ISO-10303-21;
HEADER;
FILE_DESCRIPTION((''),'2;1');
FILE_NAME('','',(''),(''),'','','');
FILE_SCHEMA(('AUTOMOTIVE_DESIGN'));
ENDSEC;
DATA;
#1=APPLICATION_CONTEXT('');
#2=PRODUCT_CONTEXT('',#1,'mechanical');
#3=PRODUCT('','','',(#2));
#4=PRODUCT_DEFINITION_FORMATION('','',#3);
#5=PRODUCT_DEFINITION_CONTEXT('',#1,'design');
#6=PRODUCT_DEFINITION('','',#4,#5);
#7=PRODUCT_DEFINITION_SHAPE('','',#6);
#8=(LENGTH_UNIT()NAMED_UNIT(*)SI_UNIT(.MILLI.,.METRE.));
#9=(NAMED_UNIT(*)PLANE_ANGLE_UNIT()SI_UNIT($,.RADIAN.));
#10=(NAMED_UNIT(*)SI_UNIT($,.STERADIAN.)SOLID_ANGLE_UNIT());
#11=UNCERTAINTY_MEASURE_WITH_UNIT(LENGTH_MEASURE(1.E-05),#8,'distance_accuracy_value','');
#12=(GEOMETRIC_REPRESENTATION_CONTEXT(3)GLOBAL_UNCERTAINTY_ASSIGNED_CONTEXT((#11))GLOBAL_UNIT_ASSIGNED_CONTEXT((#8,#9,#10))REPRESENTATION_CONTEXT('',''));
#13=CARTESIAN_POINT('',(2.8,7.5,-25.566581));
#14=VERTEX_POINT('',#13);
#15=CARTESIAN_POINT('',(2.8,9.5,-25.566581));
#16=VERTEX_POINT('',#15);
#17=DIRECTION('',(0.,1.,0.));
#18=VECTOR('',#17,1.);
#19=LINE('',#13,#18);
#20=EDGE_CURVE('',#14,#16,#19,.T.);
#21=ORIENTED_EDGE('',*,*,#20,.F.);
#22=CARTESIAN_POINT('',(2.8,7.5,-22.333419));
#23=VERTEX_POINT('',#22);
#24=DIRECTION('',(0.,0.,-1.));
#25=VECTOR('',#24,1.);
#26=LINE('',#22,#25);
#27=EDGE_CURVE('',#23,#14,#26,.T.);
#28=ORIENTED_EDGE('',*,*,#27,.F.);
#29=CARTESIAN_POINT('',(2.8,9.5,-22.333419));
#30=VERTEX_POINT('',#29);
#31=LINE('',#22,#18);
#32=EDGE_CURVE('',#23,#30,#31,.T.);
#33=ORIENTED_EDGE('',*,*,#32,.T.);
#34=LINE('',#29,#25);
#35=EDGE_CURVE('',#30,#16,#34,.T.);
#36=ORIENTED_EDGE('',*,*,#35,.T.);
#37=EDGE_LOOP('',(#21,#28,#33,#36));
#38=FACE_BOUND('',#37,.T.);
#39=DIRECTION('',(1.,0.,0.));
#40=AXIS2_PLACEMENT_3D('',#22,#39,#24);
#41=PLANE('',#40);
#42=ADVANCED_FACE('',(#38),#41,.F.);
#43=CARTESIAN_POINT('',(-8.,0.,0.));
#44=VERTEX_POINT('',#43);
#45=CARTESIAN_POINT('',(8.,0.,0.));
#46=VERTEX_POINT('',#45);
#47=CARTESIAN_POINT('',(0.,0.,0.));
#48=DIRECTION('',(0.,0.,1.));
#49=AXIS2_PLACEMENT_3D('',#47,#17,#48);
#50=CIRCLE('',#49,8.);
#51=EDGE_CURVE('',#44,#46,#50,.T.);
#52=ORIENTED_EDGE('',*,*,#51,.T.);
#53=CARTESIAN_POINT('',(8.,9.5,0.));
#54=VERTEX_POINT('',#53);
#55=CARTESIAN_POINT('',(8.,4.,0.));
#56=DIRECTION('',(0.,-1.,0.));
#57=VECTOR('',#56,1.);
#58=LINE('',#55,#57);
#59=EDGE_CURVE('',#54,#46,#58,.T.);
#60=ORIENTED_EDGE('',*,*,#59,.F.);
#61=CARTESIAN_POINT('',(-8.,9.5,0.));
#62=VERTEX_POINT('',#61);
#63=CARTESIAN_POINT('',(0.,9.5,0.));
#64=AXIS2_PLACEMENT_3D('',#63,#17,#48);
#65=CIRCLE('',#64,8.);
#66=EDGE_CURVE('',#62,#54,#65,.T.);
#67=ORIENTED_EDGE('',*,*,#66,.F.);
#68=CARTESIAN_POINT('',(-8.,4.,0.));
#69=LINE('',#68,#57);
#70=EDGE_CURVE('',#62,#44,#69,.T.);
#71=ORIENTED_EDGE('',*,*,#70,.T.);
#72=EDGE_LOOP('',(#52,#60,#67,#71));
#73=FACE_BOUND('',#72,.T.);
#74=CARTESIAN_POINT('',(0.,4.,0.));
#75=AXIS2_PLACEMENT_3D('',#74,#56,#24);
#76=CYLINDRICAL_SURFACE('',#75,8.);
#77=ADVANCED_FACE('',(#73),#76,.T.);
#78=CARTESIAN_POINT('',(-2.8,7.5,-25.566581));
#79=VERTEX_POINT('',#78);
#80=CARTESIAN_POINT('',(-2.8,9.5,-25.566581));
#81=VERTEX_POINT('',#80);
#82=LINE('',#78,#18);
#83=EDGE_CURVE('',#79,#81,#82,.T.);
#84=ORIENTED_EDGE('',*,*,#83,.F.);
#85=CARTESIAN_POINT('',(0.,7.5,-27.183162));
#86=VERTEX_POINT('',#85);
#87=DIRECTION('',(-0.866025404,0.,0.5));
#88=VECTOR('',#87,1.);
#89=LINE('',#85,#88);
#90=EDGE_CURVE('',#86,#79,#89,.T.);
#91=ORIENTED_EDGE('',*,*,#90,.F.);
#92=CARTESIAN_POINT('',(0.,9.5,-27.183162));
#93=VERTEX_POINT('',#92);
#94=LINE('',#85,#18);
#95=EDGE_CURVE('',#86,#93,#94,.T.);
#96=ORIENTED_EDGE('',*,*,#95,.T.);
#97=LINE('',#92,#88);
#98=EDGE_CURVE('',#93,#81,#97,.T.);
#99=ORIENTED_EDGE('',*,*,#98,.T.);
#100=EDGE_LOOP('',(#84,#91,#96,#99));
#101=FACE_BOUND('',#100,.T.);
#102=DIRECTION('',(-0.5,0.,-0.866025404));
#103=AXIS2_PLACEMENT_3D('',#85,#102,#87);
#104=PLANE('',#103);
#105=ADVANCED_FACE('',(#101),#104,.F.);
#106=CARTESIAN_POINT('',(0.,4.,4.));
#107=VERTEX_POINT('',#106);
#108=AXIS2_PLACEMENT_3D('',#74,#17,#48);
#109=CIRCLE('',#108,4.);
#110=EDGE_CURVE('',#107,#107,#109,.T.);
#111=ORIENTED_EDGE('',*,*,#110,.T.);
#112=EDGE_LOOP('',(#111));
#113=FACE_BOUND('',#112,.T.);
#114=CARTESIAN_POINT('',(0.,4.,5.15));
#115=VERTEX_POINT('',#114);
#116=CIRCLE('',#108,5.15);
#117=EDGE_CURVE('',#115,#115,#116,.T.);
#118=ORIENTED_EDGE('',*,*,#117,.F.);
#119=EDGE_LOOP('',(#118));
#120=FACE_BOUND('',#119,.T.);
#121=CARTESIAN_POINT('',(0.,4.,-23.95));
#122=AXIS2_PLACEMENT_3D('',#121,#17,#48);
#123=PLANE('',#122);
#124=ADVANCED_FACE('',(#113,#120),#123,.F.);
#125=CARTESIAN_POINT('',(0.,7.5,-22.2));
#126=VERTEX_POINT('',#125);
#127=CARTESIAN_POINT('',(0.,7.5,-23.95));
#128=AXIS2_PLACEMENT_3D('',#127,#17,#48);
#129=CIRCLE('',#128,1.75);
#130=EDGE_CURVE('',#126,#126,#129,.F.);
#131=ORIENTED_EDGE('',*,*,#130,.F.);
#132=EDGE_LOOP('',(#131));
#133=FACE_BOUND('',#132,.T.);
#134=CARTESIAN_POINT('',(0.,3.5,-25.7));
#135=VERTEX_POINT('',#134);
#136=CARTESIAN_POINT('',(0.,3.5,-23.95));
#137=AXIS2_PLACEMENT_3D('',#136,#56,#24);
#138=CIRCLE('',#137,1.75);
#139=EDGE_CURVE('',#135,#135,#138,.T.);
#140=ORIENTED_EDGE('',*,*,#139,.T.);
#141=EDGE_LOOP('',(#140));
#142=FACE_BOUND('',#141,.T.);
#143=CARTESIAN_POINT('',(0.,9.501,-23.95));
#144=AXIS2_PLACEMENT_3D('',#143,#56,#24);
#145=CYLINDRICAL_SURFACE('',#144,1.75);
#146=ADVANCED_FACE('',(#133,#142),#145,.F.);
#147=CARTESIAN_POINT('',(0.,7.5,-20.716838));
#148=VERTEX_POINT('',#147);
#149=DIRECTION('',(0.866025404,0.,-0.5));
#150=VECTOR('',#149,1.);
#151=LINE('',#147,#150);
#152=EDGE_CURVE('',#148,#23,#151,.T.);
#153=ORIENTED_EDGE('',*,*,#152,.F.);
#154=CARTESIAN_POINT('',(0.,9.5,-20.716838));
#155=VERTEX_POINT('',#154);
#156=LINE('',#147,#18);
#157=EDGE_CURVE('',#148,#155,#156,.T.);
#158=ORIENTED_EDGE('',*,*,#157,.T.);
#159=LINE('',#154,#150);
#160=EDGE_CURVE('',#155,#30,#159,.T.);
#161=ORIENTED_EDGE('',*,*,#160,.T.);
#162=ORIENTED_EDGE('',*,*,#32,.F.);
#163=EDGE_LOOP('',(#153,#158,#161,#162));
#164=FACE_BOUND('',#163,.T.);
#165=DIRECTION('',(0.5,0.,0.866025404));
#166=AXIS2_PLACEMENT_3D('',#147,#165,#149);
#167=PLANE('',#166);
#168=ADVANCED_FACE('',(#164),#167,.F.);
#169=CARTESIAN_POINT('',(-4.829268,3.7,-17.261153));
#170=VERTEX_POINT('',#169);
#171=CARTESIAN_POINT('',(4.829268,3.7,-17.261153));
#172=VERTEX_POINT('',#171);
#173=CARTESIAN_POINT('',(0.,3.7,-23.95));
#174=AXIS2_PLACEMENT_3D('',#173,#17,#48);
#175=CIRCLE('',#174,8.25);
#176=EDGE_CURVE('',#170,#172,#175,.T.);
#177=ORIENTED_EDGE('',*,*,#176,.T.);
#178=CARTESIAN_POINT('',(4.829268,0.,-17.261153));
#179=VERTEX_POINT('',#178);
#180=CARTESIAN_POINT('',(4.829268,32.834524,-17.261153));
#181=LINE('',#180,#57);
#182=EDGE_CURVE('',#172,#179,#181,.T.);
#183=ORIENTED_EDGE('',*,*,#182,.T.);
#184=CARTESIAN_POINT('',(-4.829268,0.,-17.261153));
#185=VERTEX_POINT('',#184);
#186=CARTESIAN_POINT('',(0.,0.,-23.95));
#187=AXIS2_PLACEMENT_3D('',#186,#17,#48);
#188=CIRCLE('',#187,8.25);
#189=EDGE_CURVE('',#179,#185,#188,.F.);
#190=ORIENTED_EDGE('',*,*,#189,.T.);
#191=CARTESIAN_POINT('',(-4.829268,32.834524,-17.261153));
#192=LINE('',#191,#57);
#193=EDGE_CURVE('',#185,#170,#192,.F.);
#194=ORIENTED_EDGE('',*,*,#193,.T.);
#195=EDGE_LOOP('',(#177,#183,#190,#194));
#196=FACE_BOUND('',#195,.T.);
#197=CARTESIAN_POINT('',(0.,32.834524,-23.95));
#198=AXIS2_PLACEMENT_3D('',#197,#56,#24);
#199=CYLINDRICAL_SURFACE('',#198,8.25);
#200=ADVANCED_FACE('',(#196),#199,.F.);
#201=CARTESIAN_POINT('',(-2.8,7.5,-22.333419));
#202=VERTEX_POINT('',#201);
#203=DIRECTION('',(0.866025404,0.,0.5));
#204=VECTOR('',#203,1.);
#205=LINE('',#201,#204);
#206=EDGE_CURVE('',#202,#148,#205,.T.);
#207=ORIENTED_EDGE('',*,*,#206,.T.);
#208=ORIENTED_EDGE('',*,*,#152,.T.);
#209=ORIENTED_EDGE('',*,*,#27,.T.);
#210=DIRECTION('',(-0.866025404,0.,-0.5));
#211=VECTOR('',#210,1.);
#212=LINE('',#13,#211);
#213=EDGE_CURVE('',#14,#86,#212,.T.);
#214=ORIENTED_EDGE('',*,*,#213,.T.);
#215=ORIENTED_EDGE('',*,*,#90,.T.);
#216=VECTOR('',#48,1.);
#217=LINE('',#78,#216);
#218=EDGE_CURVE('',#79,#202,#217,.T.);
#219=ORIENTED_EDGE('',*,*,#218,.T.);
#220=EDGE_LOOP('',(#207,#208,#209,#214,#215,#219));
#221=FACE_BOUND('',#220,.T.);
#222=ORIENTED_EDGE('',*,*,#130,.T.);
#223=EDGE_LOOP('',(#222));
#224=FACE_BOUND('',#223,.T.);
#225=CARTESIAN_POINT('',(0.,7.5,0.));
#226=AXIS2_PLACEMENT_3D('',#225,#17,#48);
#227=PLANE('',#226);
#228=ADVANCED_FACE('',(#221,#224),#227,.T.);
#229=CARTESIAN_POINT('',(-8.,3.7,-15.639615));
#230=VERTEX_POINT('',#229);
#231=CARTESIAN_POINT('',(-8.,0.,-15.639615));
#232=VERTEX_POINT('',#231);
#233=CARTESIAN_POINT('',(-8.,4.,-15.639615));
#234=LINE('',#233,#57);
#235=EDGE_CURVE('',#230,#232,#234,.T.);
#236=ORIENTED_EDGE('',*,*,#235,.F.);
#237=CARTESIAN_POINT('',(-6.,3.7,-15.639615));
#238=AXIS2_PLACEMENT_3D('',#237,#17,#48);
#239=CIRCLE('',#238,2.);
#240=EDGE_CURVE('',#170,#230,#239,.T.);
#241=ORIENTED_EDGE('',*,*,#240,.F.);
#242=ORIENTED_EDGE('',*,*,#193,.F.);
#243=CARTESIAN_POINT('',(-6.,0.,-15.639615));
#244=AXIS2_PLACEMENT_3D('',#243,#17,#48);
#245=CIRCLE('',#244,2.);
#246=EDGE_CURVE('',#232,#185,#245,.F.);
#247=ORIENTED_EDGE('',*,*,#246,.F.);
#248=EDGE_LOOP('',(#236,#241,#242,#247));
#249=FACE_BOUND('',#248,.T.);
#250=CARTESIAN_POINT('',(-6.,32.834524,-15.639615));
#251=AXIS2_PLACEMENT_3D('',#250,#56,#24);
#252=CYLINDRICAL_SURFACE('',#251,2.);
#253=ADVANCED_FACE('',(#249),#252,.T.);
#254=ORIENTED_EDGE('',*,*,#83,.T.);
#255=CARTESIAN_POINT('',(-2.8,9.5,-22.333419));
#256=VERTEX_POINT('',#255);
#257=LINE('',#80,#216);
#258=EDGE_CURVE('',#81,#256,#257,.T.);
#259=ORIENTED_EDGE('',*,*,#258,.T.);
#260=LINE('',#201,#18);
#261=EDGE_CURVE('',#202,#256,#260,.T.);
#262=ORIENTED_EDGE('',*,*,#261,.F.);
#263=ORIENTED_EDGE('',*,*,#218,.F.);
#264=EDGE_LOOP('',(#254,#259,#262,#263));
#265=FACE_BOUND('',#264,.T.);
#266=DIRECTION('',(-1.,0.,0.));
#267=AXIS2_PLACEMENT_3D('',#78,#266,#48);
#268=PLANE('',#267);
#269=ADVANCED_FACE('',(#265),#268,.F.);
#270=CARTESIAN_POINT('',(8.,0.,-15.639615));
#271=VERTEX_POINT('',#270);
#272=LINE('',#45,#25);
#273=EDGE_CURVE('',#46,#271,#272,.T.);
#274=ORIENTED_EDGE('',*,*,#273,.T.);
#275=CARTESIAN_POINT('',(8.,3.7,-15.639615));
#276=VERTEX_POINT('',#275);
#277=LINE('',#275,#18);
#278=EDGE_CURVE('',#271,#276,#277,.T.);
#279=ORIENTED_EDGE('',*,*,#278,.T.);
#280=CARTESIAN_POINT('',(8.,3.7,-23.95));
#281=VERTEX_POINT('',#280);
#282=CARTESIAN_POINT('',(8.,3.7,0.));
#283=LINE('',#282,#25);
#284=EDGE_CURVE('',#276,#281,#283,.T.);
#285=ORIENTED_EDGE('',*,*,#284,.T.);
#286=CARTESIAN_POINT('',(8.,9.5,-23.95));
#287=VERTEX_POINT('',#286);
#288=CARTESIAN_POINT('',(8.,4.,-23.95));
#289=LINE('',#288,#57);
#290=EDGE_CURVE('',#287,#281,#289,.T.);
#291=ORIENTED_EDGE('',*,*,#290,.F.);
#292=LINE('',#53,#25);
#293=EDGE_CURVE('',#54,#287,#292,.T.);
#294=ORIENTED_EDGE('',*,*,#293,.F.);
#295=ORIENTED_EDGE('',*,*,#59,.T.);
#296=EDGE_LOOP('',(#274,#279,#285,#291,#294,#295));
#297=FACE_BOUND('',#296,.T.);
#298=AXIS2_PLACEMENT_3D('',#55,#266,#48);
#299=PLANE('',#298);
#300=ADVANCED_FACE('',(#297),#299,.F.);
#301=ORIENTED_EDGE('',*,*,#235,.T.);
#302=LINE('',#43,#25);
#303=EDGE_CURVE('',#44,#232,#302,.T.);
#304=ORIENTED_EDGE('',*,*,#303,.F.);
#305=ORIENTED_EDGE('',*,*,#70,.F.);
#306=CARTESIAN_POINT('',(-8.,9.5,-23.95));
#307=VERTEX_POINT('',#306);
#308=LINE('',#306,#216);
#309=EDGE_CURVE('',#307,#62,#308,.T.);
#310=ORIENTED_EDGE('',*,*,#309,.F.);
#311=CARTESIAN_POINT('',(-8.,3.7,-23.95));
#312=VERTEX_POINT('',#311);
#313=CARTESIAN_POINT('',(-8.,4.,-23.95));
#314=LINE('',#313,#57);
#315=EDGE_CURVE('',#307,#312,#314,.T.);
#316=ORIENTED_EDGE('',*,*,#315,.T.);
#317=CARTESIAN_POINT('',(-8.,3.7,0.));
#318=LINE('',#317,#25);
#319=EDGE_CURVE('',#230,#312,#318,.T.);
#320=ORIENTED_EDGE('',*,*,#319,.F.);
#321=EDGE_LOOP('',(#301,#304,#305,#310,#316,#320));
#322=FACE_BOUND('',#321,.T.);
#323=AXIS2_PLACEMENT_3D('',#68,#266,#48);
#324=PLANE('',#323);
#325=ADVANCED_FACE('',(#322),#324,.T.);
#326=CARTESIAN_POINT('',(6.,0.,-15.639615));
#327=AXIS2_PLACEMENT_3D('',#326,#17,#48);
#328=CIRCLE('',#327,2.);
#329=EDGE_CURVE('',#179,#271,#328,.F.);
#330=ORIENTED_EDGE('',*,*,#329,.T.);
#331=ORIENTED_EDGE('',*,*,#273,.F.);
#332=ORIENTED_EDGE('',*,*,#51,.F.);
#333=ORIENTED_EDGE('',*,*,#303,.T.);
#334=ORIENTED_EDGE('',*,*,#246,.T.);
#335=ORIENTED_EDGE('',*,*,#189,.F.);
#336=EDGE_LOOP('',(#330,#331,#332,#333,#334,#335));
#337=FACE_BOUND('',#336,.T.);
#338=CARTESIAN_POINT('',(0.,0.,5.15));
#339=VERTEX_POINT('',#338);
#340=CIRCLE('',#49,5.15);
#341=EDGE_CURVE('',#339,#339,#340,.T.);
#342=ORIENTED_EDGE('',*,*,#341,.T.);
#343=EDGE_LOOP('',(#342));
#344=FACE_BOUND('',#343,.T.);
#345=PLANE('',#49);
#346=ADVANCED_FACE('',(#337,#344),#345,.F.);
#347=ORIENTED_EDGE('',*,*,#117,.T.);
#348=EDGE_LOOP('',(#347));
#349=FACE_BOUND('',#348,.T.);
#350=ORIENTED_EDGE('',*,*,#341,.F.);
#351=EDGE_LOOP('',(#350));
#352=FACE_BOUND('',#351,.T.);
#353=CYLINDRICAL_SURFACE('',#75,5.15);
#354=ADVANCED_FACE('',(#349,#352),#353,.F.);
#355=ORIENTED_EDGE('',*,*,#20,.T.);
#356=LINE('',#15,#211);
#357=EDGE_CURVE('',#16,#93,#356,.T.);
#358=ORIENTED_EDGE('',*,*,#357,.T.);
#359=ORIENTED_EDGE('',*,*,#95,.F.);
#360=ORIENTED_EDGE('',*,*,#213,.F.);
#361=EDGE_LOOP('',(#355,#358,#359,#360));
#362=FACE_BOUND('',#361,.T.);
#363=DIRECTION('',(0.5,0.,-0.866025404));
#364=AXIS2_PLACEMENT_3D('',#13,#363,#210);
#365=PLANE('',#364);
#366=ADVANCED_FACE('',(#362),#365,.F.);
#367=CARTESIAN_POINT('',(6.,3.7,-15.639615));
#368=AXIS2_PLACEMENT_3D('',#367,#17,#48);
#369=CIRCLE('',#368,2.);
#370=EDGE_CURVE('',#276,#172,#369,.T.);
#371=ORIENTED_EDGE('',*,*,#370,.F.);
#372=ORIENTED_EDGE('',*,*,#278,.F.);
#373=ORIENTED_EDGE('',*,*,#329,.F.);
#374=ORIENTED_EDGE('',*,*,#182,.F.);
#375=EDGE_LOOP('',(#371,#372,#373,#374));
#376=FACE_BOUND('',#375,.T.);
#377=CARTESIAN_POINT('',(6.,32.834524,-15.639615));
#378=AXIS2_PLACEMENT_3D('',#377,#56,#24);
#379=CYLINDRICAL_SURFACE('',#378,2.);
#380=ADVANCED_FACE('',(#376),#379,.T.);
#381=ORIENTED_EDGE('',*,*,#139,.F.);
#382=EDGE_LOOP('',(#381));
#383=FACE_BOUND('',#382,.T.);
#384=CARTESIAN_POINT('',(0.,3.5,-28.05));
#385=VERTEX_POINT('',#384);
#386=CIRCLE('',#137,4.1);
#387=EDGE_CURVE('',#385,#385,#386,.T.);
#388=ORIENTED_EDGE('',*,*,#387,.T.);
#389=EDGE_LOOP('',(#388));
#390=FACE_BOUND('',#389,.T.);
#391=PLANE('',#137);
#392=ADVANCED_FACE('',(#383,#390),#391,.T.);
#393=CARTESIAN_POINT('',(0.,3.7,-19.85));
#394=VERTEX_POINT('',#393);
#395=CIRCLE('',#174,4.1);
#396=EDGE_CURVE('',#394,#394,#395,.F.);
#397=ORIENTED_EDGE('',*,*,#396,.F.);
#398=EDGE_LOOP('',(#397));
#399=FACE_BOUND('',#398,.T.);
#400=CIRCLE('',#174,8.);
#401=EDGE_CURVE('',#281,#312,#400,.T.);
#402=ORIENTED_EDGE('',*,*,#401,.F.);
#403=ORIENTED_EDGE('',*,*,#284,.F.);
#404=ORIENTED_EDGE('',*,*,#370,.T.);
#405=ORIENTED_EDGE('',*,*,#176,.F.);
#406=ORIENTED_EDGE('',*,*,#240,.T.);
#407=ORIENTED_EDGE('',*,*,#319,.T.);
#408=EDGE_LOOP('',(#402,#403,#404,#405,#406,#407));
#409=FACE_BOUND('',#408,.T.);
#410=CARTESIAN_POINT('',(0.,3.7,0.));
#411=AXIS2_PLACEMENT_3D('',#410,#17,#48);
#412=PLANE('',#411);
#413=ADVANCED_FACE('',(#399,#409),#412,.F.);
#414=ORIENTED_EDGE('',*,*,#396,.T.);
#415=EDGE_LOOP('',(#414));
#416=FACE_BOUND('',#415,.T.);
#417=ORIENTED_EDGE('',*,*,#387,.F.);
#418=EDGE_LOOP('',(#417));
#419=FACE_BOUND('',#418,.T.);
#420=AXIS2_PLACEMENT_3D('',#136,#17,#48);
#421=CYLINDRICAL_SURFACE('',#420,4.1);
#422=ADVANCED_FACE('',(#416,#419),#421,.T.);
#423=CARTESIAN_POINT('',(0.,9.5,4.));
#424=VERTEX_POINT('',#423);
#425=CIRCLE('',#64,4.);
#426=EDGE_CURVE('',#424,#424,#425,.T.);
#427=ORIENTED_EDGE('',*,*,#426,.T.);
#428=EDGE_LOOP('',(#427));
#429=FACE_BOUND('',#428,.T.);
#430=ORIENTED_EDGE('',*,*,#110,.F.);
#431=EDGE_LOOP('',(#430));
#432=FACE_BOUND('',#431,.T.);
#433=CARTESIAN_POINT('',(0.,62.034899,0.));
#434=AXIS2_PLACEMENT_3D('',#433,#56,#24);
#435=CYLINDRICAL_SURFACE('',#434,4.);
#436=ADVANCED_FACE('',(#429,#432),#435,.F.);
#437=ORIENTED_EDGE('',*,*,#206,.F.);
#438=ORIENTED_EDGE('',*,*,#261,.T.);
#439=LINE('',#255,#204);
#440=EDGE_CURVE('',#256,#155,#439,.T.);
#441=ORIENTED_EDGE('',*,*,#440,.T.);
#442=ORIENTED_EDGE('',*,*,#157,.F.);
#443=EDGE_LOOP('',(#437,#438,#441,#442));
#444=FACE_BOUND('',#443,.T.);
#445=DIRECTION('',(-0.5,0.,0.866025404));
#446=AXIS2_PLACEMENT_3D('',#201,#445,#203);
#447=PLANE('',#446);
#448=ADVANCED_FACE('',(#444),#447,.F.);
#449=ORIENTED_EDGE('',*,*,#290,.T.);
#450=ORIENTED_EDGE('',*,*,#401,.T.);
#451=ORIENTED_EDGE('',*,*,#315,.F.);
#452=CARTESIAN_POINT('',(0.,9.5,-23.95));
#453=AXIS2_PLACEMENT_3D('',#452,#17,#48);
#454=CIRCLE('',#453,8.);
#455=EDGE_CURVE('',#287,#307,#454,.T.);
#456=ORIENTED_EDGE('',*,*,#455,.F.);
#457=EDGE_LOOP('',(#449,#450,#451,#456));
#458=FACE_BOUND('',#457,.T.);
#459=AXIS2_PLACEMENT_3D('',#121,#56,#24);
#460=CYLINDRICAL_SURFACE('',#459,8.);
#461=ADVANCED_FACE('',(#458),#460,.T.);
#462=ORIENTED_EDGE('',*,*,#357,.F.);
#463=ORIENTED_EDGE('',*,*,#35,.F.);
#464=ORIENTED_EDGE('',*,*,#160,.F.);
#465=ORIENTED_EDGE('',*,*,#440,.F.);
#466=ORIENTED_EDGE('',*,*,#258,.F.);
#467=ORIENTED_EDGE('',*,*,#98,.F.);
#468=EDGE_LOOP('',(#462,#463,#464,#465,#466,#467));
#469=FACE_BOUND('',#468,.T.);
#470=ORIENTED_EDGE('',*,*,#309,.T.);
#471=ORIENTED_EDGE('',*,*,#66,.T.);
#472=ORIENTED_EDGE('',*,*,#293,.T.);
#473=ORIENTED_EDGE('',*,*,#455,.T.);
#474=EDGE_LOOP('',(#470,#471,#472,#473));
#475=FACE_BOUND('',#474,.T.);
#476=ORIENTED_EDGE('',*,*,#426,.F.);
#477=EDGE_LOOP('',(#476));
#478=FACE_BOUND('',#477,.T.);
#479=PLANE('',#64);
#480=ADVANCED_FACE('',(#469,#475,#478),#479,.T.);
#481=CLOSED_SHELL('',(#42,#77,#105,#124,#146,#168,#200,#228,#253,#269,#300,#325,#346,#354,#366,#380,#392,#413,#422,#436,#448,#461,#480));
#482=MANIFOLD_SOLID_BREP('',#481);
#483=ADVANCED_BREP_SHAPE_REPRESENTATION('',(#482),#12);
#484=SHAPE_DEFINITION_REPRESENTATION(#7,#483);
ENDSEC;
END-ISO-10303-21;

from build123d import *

# Parameters (mm, degrees)
SKETCH1_R           = 5.15
BOSS_EXTRUDE1_DEPTH = 4
SKETCH2_R           = 4
BOSS_EXTRUDE2_DEPTH = 5.5
SKETCH3_R           = 8.25
CUT_EXTRUDE1_DEPTH  = 3.7
CUT_EXTRUDE2_REACH  = 7.8
SKETCH4_R           = 1.75
SKETCH5_R           = 4.1
SKETCH5_R_2         = 1.75
BOSS_EXTRUDE3_DEPTH = 0.2
CUT_EXTRUDE3_DEPTH  = 2
FILLET1_R           = 2


with BuildPart() as part:
    # Sketch1 → Boss-Extrude1 (new body)
    with BuildSketch(Plane(origin=(0, 0, 0), x_dir=(1, 0, 0), z_dir=(0, 1, 0))):
        with BuildLine():
            Line((-8, 23.95), (-8, 0))
            ThreePointArc((-8, 0), (0, -8), (8, 0))
            Line((8, 0), (8, 23.95))
            ThreePointArc((8, 23.95), (0, 31.95), (-8, 23.95))
        make_face()
        Circle(SKETCH1_R, mode=Mode.SUBTRACT)
    extrude(amount=BOSS_EXTRUDE1_DEPTH)

    # Sketch2 → Boss-Extrude2 (add)
    with BuildSketch(Plane(origin=(0, 4, 0), x_dir=(1, 0, 0), z_dir=(0, 1, 0))):
        with BuildLine():
            Line((-8, 23.95), (-8, 0))
            ThreePointArc((-8, 0), (0, -8), (8, 0))
            Line((8, 0), (8, 23.95))
            ThreePointArc((8, 23.95), (0, 31.95), (-8, 23.95))
        make_face()
        Circle(SKETCH2_R, mode=Mode.SUBTRACT)
    extrude(amount=BOSS_EXTRUDE2_DEPTH)

    # Sketch3 → Cut-Extrude1 (cut)
    with BuildSketch(Plane(origin=(0, 0, 0), x_dir=(1, 0, 0), z_dir=(0, 1, 0))):
        with Locations((0, 23.95)):
            Circle(SKETCH3_R)
    extrude(amount=CUT_EXTRUDE1_DEPTH, mode=Mode.SUBTRACT)

    # Sketch4 → Cut-Extrude2 (cut, up to next)
    with BuildSketch(Plane.XZ.offset(-3.7), mode=Mode.PRIVATE) as cut_extrude2_sk1:
        with Locations((0, -23.95)):
            Circle(SKETCH4_R)
    cut_extrude2_tool1 = extrude(cut_extrude2_sk1.sketch, amount=-CUT_EXTRUDE2_REACH, mode=Mode.PRIVATE) & part.part
    add(cut_extrude2_tool1.solids().sort_by_distance((0, 3.7, -23.95))[0], mode=Mode.SUBTRACT)

    # Sketch5 → Boss-Extrude3 (add)
    with BuildSketch(Plane.XZ.offset(-3.7)):
        with Locations((0, -23.95)):
            Circle(SKETCH5_R)
        with Locations((0, -23.95)):
            Circle(SKETCH5_R_2, mode=Mode.SUBTRACT)
    extrude(amount=BOSS_EXTRUDE3_DEPTH)

    # Sketch6 → Cut-Extrude3 (cut)
    with BuildSketch(Plane(origin=(0, 9.5, 0), x_dir=(1, 0, 0), z_dir=(0, 1, 0))):
        Polygon((0, 20.716838493), (2.8, 22.333419246), (2.8, 25.566580754), (0, 27.183161507), (-2.8, 25.566580754), (-2.8, 22.333419246), align=None)
    extrude(amount=-CUT_EXTRUDE3_DEPTH, mode=Mode.SUBTRACT)

    # Fillet1
    fillet1_edges = [part.edges().sort_by_distance(p)[0] for p in [
        (8, 1.85, -21.934435563),
        (-8, 1.85, -21.934435563),
    ]]
    fillet(fillet1_edges, radius=FILLET1_R)


solid = part.part
